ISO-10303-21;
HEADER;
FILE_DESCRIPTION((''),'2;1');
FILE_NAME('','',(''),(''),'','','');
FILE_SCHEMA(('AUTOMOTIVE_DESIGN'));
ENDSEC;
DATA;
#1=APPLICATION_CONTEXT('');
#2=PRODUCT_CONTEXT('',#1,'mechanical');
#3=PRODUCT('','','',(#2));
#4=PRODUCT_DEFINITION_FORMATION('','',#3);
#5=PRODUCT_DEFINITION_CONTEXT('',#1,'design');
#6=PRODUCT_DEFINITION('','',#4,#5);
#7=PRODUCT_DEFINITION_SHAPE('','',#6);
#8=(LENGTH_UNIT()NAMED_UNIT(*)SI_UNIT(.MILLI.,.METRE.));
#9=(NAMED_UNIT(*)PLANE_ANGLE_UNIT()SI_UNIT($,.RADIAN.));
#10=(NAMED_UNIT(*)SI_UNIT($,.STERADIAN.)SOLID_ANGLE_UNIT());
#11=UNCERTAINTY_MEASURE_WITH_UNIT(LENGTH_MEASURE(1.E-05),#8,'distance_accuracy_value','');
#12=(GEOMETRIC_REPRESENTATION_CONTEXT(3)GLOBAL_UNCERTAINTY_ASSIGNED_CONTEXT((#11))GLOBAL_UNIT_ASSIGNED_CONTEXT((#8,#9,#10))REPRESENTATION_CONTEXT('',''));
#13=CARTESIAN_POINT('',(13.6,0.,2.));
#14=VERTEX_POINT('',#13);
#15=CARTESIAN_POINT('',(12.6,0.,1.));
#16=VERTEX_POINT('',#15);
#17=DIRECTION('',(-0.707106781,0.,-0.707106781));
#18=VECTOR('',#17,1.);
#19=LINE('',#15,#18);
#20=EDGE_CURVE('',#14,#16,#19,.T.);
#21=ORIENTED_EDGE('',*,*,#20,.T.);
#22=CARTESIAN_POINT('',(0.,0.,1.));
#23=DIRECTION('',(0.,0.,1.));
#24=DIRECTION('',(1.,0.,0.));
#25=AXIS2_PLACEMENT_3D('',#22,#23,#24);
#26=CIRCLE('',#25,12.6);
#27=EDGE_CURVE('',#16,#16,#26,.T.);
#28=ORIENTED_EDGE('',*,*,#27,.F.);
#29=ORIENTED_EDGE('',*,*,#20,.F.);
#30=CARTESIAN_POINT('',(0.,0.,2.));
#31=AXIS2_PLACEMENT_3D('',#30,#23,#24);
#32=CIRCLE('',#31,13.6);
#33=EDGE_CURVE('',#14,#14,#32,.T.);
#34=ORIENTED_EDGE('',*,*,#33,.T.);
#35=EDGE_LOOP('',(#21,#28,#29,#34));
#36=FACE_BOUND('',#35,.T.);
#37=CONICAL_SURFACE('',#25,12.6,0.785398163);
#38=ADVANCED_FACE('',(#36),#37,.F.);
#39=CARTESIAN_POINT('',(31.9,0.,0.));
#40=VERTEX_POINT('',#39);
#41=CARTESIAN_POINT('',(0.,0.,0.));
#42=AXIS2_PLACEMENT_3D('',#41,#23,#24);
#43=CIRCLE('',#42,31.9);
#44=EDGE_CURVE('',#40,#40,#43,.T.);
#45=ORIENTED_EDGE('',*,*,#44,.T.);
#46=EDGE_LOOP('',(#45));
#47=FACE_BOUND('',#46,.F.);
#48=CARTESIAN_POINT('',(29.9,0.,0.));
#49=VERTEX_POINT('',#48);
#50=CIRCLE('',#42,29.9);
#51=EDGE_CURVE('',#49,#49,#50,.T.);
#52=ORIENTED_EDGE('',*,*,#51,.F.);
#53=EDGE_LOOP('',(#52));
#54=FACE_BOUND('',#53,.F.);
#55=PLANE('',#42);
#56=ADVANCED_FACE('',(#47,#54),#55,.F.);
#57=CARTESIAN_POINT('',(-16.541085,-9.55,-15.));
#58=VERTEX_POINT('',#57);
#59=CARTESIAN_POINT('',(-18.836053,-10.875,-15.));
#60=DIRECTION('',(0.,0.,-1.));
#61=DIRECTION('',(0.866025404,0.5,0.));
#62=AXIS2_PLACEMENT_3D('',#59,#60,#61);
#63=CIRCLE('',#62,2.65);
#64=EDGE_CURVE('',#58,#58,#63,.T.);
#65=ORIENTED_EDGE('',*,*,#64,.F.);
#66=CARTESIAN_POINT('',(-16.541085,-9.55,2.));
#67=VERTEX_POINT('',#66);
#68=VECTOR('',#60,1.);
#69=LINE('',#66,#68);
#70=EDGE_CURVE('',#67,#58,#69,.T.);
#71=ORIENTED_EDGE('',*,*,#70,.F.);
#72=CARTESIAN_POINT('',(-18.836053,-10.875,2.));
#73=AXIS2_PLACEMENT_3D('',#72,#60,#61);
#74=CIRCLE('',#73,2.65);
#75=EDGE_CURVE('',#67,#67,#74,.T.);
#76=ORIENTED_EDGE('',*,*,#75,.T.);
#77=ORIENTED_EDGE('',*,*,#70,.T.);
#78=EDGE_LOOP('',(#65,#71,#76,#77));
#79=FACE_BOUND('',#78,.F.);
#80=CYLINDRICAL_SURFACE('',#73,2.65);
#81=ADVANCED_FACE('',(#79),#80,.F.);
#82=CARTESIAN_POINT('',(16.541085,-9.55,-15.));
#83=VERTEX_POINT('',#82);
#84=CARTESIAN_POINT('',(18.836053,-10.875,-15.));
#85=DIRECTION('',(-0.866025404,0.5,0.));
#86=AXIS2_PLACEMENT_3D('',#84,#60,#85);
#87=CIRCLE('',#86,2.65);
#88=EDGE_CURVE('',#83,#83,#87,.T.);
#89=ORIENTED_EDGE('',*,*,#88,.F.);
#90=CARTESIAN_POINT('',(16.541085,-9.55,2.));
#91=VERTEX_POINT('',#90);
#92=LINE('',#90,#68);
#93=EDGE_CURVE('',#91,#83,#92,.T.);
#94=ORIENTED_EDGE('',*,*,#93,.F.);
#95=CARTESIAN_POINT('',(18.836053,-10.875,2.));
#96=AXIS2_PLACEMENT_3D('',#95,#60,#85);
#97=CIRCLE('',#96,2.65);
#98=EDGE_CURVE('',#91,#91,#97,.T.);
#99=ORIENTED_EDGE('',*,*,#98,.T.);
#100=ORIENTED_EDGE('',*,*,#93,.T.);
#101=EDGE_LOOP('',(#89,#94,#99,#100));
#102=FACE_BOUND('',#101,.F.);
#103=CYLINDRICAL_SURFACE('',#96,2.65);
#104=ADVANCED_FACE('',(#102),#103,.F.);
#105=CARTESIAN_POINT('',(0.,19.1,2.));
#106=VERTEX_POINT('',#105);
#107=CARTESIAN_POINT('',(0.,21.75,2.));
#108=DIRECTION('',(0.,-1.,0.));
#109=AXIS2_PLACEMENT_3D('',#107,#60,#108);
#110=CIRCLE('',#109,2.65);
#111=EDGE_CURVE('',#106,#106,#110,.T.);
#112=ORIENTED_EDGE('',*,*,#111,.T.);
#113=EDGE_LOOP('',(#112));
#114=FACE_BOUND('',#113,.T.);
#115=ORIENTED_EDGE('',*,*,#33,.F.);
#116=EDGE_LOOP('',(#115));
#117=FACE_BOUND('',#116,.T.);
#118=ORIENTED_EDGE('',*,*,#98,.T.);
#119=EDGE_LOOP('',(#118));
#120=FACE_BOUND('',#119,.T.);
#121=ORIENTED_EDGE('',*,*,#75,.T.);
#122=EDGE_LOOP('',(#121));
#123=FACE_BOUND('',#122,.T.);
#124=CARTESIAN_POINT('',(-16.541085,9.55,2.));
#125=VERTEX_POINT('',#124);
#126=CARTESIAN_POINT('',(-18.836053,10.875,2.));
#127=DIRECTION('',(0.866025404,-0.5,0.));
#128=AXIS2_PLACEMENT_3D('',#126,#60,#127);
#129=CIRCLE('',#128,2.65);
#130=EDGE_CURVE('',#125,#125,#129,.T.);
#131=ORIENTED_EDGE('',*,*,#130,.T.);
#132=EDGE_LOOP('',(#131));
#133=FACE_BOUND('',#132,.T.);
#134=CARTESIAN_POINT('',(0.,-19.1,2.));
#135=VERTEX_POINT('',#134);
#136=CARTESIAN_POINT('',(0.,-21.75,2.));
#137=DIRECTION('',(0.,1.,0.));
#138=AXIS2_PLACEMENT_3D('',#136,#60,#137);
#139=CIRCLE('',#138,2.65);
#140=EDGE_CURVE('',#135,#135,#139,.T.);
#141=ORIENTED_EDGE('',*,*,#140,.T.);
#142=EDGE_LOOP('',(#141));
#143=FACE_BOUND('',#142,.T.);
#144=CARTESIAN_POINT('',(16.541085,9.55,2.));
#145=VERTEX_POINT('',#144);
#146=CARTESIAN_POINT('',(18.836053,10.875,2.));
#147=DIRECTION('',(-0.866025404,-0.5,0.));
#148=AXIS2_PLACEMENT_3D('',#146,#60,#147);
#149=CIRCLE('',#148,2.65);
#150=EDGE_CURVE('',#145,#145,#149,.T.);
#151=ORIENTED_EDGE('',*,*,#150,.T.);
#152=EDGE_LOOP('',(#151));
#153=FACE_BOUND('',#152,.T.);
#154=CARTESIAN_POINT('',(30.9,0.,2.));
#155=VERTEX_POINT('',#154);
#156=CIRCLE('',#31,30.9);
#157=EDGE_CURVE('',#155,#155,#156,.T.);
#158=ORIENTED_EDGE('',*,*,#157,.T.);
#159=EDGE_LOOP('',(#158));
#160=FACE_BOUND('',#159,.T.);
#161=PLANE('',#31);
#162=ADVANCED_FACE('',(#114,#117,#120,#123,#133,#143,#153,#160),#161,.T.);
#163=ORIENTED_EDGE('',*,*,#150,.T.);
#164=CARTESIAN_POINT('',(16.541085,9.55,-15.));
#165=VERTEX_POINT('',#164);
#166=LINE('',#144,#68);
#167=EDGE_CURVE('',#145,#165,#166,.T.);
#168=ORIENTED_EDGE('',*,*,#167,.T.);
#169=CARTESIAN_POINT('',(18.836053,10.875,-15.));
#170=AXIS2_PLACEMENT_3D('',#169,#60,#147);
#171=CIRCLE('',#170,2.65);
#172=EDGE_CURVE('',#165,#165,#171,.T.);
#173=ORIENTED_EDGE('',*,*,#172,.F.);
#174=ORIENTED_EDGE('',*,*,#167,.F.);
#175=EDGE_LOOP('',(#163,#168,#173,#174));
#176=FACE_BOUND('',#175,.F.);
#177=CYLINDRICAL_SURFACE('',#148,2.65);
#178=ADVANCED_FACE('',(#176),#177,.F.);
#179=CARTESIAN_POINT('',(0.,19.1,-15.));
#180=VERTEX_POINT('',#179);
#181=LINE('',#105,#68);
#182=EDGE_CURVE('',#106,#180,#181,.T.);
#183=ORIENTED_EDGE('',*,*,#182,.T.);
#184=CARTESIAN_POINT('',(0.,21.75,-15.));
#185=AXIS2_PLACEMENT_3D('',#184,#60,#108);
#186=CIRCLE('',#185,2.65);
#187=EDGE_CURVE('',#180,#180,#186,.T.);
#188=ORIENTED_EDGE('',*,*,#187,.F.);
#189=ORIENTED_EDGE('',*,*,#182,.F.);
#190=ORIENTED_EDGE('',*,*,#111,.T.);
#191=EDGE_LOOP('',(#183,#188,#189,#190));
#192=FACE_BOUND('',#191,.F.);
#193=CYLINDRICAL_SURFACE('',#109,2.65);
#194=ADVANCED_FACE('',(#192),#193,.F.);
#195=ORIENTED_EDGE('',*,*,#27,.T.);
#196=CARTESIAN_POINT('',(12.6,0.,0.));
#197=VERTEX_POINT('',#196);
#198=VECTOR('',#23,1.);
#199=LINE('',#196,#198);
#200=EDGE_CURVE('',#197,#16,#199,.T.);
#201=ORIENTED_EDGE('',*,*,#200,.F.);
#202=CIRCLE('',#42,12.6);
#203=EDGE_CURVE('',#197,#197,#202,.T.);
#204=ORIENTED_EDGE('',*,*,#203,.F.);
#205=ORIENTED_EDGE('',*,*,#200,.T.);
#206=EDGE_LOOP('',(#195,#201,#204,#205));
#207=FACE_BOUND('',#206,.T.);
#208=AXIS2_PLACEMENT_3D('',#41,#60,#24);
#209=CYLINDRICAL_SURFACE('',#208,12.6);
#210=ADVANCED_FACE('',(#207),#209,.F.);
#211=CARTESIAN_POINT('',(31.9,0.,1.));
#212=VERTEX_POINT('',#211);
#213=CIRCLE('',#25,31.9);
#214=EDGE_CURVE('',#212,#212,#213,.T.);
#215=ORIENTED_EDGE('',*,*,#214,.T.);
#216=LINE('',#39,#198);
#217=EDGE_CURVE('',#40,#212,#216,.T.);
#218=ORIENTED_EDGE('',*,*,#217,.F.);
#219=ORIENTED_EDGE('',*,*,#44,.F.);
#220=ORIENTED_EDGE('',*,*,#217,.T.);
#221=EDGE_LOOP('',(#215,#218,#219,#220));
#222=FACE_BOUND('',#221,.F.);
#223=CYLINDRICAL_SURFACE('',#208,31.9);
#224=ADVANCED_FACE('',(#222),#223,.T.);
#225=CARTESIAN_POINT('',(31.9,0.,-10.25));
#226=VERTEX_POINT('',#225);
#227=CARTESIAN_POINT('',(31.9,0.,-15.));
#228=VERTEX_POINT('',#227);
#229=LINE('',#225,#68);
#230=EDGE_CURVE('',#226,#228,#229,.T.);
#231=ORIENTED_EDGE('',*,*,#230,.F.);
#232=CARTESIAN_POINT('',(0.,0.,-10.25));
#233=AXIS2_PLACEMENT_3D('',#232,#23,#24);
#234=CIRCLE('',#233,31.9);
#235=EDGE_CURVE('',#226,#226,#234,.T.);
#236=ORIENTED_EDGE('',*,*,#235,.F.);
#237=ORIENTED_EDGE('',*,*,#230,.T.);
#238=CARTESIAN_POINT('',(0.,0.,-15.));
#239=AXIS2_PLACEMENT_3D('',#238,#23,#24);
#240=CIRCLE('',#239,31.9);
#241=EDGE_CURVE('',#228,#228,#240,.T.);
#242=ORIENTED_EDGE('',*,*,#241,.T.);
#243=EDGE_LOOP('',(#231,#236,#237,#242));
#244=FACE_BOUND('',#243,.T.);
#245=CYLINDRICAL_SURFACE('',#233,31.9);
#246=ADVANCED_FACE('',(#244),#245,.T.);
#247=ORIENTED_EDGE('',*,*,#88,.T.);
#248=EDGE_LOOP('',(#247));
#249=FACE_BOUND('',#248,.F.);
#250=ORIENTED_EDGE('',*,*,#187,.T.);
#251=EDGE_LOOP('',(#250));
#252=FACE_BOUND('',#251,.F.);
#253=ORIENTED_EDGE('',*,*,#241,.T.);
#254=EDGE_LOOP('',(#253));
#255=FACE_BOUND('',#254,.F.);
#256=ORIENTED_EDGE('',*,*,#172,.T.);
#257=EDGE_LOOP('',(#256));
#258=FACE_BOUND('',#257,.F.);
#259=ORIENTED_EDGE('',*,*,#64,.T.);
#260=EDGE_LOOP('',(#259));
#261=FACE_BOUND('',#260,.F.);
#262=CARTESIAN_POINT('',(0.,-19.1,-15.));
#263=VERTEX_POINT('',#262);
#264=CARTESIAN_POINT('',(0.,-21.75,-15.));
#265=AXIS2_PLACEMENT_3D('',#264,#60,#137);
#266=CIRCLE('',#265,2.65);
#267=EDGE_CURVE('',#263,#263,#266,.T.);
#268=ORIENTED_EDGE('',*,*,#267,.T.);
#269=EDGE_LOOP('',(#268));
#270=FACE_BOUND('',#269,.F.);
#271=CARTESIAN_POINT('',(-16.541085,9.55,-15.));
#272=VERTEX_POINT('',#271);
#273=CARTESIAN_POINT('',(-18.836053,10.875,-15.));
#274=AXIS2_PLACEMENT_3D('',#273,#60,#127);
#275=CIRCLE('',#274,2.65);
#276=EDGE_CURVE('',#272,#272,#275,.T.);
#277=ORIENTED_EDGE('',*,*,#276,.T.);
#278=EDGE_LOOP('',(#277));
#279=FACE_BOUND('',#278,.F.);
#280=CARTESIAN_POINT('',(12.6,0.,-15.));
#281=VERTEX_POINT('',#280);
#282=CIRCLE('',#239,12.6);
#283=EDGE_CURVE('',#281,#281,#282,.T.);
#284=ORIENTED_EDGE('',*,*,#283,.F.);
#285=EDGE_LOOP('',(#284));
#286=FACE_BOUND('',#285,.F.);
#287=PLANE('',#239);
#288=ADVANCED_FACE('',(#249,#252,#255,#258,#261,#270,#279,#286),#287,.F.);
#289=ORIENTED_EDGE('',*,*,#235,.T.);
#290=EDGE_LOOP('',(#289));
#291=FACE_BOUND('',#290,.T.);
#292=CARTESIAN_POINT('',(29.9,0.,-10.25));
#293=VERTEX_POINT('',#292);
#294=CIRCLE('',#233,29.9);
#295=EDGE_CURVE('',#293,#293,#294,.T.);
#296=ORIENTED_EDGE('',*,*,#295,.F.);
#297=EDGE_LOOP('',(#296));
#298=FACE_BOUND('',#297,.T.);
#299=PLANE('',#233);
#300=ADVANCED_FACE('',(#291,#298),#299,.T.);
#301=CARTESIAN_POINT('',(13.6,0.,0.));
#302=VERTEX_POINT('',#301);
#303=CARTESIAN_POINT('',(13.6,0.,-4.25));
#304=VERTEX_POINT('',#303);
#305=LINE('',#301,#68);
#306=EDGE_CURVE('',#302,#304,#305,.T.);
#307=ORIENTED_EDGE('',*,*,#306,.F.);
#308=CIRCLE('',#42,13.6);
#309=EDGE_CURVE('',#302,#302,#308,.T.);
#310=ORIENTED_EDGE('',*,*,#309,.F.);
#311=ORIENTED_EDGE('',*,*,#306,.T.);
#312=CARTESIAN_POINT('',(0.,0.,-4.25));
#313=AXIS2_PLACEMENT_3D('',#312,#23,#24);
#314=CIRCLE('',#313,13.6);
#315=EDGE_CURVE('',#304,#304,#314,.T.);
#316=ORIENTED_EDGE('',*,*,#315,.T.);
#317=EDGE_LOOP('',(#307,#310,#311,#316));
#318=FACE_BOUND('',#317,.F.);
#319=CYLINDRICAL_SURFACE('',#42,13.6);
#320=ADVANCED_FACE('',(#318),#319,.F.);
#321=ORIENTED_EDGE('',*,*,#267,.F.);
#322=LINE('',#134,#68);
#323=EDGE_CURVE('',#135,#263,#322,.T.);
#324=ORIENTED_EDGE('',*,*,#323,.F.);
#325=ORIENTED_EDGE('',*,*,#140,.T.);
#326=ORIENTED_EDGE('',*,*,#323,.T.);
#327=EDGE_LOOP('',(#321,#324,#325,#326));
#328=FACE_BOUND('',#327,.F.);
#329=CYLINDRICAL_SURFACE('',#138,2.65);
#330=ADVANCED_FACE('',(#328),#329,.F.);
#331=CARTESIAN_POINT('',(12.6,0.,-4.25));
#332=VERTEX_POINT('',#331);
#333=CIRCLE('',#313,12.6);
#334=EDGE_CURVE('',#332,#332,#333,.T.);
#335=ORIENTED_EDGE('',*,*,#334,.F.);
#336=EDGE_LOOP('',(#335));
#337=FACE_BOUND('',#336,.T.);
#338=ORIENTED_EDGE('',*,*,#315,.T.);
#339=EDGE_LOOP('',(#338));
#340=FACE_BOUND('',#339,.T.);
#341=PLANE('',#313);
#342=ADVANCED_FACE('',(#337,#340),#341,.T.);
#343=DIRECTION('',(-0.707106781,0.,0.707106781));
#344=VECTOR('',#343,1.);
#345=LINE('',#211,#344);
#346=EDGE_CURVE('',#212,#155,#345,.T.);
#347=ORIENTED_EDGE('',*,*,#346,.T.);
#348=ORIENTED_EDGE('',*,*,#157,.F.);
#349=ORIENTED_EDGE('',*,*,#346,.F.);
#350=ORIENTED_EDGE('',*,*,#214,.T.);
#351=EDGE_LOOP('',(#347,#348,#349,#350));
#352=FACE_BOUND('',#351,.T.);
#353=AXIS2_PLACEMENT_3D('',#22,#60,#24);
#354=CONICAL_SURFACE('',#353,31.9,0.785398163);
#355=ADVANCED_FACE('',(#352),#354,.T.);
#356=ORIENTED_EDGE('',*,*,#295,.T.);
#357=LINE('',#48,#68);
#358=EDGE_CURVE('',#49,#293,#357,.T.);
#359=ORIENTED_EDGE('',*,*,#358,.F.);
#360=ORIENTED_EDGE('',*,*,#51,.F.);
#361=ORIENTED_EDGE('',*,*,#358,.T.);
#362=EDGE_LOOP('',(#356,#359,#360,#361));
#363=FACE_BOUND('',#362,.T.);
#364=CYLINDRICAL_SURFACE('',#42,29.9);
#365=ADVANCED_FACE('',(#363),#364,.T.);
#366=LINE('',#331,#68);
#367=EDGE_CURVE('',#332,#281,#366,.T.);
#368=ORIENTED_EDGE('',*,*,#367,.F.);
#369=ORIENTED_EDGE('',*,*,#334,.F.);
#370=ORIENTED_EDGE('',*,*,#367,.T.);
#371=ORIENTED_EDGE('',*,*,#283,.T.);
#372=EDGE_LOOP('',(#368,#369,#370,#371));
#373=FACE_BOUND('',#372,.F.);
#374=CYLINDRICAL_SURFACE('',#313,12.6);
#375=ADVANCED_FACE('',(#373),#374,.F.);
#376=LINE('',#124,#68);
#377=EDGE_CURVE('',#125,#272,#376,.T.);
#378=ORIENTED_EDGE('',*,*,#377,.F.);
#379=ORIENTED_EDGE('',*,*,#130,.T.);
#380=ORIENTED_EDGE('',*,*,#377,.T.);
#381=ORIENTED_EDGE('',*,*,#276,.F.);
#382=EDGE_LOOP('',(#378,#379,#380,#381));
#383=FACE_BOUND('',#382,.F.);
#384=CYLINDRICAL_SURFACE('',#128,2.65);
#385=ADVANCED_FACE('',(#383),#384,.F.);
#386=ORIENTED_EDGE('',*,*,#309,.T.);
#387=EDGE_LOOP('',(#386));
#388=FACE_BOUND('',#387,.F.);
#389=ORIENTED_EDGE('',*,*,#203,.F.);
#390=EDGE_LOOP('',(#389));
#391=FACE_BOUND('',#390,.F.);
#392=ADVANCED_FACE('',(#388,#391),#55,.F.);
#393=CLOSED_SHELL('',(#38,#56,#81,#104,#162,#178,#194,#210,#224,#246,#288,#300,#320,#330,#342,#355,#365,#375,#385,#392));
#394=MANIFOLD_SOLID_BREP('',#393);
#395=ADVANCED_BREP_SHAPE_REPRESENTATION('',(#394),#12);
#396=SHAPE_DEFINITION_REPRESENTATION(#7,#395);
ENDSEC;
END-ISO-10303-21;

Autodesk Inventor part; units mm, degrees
sketch "Sketch1" plane through (0, 0, 0) normal (0, 0, 1) x (1, 0, 0)
  circle A0 centre (0, 0) radius 29.9
  circle A1 centre (0, 0) radius 13.6
  dimension "d0" = 59.8
  dimension "d1" = 27.2
extrude "Extrusion1" add sketch "Sketch1" against normal blind 15
ref_plane "Work Plane1" through (0, 0, -4.25) normal (0, 0, 1) x (1, 0, 0)
ref_plane "Work Plane2" through (0, 0, -10.25) normal (0, 0, 1) x (1, 0, 0)
sketch "Sketch2" plane through (0, 0, 0) normal (0, 0, 1) x (1, 0, 0)
  circle A0 centre (0, 0) radius 29.9 projected
  circle A1 centre (0, 0) radius 13.6 projected
  circle A2 centre (0, 0) radius 12.6
  circle A3 centre (0, 0) radius 31.9
  dimension "d4" = 1
  dimension "d8" = 2
extrude "Extrusion2" add sketch "Sketch2" against normal up to surface (10.75 mm away) from surface at -4.25 contours A1
extrude "Extrusion3" add sketch "Sketch2" against normal up to surface (4.75 mm away) from surface at -10.25 contours A3
sketch "Sketch8" plane through (0, 0, 0) normal (0, 0, 1) x (1, 0, 0)
  circle A0 centre (0, 0) radius 29.9 projected
  circle A1 centre (0, 0) radius 13.6 projected
  circle A2 centre (0, 0) radius 31.9 projected
  circle A3 centre (0, 0) radius 12.6 projected
extrude "Extrusion8" add sketch "Sketch8" along normal blind 2 contours A0 | A1 | A2
sketch "Sketch9" plane through (0, 0, 2) normal (0, 0, 1) x (1, 0, 0)
  circle A0 centre (0, 0) radius 29.9 projected
  circle A1 centre (0, 0) radius 29.9 projected
  circle A2 centre (0, 0) radius 13.6 projected
  circle A3 centre (0, 0) radius 13.6 projected
  line L0 (0, 29.9) -> (0, 13.6) construction
  point P0 (0, 21.75)
hole "Hole3" at (0, 21.75, 2) direction (0, 0, -1) diameter 5.3 end through all
pattern_circular "Circular Pattern2" count 6 over 360 about axis through (0, 0, 0) along (0, 0, 1) of "Hole3"
chamfer "Chamfer1" distance 1 angle 45 2 edges at (-31.9, 0, 2) (-12.6, 0, 2)
ref_plane "Work Plane5" through (0, 0, -5.125) normal (0, 0, -1) x (-1, 0, 0)
properties part number "Spool Holder BAse" material "ABS Plastic"
